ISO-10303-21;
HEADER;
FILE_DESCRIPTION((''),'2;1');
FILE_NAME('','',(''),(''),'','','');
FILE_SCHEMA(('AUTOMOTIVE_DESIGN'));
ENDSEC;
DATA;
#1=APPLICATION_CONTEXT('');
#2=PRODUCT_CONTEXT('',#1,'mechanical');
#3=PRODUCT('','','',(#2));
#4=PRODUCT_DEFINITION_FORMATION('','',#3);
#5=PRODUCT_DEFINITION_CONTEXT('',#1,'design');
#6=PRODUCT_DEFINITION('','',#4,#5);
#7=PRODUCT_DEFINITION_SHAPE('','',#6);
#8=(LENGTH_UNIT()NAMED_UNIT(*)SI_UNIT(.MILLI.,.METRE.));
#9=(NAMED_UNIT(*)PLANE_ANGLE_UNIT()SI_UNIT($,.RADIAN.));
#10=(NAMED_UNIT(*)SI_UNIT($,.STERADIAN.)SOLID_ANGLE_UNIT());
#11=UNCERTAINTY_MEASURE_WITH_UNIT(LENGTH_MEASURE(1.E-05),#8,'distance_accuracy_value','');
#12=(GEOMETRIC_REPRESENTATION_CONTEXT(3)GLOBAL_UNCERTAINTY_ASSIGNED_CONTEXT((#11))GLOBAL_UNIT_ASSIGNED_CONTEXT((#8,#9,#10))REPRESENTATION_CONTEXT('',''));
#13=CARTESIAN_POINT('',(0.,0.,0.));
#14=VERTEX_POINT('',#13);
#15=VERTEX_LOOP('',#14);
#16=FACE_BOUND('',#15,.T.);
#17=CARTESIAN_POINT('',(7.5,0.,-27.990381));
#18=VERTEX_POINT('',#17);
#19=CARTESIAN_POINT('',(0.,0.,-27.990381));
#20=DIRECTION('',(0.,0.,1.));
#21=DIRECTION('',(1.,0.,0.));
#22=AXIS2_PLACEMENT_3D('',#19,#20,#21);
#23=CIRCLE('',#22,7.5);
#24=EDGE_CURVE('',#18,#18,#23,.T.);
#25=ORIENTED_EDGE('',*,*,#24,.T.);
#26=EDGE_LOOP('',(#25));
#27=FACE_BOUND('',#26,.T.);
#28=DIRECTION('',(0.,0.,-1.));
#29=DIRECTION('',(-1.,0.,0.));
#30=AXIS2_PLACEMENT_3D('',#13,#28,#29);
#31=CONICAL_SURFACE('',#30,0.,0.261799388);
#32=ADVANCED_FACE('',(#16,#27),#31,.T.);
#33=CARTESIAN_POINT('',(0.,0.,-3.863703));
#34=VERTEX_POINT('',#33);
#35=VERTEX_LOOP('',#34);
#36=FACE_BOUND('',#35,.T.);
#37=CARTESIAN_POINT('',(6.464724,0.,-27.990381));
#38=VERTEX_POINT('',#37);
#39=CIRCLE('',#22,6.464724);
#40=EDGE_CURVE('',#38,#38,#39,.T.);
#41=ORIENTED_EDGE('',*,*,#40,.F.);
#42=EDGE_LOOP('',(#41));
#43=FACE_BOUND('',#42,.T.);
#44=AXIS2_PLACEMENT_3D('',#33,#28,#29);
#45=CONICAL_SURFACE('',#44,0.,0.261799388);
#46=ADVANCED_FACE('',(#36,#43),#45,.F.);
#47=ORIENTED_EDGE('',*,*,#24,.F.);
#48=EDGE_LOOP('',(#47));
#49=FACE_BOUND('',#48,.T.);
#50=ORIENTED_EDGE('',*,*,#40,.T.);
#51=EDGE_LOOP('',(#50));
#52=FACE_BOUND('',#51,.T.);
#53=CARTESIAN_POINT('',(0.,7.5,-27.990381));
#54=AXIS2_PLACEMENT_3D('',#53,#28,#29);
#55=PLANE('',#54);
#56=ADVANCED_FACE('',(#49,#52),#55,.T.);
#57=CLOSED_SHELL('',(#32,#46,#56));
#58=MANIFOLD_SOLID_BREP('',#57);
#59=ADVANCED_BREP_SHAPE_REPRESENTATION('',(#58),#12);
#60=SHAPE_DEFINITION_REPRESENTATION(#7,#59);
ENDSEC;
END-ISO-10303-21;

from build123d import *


with BuildPart() as part:
    # 草圖1 → 旋轉1 (revolve)
    with BuildSketch(Plane(origin=(0, 0, 0), x_dir=(0, 0, -1), z_dir=(1, 0, 0)), mode=Mode.PRIVATE) as revolve_1_sk:
        Polygon((0, 0), (27.990381057, 7.5), (27.990381057, 6.46472382), (3.863703305, 0), align=None)
    revolve(revolve_1_sk.sketch.rotate(Axis((0, 0, 0), (0, 0, -1)), 270), axis=Axis((0, 0, 0), (0, 0, -1)))


solid = part.part
